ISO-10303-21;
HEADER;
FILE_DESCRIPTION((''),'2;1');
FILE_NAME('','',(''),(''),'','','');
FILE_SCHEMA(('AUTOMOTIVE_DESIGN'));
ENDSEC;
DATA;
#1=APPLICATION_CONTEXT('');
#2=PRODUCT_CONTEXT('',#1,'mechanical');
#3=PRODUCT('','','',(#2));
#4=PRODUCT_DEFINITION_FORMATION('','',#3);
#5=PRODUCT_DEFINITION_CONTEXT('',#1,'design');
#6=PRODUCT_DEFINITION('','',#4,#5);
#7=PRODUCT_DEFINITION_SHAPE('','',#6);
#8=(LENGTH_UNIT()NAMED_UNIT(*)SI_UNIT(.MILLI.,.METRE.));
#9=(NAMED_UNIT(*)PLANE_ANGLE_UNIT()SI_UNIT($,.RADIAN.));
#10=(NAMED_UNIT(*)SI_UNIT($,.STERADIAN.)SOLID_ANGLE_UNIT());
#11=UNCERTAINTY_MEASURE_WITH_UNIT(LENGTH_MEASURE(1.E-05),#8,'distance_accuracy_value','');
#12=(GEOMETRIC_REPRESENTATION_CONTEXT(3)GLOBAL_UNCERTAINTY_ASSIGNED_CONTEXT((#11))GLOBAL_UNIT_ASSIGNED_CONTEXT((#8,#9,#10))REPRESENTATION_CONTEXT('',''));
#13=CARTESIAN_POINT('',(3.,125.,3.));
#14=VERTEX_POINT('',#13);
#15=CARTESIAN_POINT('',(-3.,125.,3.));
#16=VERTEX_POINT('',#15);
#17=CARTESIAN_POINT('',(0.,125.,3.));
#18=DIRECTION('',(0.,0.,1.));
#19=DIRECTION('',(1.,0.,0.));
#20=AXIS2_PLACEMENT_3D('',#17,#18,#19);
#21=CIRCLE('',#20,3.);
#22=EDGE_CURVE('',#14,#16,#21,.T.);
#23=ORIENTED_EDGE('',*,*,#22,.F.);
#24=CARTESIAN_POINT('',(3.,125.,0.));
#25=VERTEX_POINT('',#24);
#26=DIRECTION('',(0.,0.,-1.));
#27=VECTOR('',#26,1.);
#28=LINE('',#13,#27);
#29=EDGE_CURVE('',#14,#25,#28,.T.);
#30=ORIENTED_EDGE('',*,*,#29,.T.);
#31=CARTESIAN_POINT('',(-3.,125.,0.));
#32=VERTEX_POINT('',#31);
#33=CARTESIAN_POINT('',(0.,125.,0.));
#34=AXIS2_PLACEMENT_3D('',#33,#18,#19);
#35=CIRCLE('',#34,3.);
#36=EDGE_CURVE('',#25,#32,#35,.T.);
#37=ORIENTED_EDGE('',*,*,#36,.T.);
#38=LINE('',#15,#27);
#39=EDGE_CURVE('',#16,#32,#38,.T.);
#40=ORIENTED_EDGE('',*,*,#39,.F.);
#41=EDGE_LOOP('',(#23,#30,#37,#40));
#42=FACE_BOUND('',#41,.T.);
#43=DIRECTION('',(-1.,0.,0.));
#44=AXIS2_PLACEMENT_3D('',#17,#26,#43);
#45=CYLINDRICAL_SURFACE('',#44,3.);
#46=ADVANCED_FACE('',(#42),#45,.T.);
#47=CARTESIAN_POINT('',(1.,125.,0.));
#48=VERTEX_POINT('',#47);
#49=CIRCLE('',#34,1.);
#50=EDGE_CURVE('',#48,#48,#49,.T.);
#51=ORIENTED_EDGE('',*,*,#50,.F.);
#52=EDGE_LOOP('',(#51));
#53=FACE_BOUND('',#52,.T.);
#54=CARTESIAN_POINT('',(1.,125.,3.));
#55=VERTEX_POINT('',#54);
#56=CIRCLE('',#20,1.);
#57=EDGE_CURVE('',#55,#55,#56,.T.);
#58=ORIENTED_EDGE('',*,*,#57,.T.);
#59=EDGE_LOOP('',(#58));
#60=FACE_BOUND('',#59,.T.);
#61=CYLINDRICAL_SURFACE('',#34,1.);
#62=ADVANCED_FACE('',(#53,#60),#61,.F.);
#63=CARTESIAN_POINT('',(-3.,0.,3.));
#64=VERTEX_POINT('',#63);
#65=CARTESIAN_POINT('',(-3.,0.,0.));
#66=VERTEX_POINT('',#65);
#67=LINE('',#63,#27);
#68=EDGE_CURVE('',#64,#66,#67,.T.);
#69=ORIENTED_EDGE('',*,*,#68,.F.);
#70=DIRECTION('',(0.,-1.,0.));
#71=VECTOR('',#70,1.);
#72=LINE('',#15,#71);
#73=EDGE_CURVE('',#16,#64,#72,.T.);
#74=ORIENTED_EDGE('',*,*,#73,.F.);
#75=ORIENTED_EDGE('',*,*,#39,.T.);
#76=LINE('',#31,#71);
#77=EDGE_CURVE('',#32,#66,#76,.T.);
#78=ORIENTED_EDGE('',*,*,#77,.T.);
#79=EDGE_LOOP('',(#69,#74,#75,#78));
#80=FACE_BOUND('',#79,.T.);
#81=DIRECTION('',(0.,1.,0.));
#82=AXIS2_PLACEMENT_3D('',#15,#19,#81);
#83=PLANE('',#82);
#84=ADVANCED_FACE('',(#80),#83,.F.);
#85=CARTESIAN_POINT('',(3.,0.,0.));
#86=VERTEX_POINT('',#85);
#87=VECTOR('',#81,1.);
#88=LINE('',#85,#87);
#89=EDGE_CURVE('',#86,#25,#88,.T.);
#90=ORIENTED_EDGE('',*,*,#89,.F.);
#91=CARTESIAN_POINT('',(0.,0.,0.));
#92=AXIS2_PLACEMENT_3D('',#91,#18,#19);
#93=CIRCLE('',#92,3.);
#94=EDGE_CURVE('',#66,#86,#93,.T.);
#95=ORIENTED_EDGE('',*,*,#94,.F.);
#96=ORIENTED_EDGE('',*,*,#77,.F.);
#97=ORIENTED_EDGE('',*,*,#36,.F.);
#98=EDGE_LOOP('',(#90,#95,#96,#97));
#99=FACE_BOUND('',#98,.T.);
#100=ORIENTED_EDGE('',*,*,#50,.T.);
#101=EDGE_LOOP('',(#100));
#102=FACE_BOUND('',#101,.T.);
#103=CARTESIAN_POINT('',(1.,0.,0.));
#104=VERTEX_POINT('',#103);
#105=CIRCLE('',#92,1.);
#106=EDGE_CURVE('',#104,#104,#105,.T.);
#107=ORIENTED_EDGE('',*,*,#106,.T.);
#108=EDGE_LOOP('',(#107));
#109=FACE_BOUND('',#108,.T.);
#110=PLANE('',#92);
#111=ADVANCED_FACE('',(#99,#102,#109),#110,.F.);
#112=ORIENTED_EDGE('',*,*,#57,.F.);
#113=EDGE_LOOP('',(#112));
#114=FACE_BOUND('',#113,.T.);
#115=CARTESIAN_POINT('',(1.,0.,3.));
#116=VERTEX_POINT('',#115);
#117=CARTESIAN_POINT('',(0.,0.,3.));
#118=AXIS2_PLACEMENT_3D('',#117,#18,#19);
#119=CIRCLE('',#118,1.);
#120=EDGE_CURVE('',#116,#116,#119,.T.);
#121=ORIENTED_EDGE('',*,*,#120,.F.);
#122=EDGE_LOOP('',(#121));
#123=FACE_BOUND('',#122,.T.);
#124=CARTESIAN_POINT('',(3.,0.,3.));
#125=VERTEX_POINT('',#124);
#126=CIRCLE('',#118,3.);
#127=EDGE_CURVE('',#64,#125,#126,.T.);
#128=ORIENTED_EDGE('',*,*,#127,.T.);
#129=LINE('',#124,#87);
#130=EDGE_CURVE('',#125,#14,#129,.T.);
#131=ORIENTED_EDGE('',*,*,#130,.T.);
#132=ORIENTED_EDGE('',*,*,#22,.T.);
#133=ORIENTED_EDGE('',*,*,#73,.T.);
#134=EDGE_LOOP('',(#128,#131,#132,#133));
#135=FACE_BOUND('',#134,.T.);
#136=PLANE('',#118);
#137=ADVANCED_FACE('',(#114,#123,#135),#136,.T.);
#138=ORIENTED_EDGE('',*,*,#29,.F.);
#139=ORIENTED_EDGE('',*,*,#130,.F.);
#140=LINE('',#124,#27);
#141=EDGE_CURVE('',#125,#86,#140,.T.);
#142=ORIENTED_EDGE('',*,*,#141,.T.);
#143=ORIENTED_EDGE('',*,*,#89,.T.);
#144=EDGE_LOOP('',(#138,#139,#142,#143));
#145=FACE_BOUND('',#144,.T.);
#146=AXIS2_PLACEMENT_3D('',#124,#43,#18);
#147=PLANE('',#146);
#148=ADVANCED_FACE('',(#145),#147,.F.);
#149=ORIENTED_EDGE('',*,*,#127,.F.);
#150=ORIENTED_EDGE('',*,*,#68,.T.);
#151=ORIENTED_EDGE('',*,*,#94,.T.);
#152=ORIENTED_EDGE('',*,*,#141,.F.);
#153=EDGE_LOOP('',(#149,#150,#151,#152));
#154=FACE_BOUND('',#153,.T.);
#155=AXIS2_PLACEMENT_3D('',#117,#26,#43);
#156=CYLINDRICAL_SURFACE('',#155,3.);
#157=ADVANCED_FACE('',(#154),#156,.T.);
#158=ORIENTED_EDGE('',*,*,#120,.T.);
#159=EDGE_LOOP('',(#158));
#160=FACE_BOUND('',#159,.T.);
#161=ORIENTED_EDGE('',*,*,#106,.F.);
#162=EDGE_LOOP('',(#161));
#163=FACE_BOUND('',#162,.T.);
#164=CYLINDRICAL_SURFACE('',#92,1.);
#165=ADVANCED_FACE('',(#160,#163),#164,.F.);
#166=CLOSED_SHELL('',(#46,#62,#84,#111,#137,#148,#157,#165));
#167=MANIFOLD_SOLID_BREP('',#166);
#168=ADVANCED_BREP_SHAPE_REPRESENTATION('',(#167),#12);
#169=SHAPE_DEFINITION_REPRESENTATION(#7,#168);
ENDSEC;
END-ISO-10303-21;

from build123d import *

# Parameters (mm, degrees)
BOSS_EXTRUDE1_DEPTH = 3
SKETCH2_R           = 1
CUT_EXTRUDE1_DEPTH  = 3


with BuildPart() as part:
    # Sketch1 → Boss-Extrude1 (new body)
    with BuildSketch(Plane.XY):
        with BuildLine():
            Line((-3, 125), (-3, 0))
            ThreePointArc((-3, 0), (0, -3), (3, 0))
            Line((3, 0), (3, 125))
            ThreePointArc((3, 125), (0, 128), (-3, 125))
        make_face()
    extrude(amount=BOSS_EXTRUDE1_DEPTH)

    # Sketch2 → Cut-Extrude1 (cut)
    with BuildSketch(Plane.XY.offset(3)):
        with Locations((0, 125)):
            Circle(SKETCH2_R)
        Circle(SKETCH2_R)
    extrude(amount=-CUT_EXTRUDE1_DEPTH, mode=Mode.SUBTRACT)


solid = part.part
